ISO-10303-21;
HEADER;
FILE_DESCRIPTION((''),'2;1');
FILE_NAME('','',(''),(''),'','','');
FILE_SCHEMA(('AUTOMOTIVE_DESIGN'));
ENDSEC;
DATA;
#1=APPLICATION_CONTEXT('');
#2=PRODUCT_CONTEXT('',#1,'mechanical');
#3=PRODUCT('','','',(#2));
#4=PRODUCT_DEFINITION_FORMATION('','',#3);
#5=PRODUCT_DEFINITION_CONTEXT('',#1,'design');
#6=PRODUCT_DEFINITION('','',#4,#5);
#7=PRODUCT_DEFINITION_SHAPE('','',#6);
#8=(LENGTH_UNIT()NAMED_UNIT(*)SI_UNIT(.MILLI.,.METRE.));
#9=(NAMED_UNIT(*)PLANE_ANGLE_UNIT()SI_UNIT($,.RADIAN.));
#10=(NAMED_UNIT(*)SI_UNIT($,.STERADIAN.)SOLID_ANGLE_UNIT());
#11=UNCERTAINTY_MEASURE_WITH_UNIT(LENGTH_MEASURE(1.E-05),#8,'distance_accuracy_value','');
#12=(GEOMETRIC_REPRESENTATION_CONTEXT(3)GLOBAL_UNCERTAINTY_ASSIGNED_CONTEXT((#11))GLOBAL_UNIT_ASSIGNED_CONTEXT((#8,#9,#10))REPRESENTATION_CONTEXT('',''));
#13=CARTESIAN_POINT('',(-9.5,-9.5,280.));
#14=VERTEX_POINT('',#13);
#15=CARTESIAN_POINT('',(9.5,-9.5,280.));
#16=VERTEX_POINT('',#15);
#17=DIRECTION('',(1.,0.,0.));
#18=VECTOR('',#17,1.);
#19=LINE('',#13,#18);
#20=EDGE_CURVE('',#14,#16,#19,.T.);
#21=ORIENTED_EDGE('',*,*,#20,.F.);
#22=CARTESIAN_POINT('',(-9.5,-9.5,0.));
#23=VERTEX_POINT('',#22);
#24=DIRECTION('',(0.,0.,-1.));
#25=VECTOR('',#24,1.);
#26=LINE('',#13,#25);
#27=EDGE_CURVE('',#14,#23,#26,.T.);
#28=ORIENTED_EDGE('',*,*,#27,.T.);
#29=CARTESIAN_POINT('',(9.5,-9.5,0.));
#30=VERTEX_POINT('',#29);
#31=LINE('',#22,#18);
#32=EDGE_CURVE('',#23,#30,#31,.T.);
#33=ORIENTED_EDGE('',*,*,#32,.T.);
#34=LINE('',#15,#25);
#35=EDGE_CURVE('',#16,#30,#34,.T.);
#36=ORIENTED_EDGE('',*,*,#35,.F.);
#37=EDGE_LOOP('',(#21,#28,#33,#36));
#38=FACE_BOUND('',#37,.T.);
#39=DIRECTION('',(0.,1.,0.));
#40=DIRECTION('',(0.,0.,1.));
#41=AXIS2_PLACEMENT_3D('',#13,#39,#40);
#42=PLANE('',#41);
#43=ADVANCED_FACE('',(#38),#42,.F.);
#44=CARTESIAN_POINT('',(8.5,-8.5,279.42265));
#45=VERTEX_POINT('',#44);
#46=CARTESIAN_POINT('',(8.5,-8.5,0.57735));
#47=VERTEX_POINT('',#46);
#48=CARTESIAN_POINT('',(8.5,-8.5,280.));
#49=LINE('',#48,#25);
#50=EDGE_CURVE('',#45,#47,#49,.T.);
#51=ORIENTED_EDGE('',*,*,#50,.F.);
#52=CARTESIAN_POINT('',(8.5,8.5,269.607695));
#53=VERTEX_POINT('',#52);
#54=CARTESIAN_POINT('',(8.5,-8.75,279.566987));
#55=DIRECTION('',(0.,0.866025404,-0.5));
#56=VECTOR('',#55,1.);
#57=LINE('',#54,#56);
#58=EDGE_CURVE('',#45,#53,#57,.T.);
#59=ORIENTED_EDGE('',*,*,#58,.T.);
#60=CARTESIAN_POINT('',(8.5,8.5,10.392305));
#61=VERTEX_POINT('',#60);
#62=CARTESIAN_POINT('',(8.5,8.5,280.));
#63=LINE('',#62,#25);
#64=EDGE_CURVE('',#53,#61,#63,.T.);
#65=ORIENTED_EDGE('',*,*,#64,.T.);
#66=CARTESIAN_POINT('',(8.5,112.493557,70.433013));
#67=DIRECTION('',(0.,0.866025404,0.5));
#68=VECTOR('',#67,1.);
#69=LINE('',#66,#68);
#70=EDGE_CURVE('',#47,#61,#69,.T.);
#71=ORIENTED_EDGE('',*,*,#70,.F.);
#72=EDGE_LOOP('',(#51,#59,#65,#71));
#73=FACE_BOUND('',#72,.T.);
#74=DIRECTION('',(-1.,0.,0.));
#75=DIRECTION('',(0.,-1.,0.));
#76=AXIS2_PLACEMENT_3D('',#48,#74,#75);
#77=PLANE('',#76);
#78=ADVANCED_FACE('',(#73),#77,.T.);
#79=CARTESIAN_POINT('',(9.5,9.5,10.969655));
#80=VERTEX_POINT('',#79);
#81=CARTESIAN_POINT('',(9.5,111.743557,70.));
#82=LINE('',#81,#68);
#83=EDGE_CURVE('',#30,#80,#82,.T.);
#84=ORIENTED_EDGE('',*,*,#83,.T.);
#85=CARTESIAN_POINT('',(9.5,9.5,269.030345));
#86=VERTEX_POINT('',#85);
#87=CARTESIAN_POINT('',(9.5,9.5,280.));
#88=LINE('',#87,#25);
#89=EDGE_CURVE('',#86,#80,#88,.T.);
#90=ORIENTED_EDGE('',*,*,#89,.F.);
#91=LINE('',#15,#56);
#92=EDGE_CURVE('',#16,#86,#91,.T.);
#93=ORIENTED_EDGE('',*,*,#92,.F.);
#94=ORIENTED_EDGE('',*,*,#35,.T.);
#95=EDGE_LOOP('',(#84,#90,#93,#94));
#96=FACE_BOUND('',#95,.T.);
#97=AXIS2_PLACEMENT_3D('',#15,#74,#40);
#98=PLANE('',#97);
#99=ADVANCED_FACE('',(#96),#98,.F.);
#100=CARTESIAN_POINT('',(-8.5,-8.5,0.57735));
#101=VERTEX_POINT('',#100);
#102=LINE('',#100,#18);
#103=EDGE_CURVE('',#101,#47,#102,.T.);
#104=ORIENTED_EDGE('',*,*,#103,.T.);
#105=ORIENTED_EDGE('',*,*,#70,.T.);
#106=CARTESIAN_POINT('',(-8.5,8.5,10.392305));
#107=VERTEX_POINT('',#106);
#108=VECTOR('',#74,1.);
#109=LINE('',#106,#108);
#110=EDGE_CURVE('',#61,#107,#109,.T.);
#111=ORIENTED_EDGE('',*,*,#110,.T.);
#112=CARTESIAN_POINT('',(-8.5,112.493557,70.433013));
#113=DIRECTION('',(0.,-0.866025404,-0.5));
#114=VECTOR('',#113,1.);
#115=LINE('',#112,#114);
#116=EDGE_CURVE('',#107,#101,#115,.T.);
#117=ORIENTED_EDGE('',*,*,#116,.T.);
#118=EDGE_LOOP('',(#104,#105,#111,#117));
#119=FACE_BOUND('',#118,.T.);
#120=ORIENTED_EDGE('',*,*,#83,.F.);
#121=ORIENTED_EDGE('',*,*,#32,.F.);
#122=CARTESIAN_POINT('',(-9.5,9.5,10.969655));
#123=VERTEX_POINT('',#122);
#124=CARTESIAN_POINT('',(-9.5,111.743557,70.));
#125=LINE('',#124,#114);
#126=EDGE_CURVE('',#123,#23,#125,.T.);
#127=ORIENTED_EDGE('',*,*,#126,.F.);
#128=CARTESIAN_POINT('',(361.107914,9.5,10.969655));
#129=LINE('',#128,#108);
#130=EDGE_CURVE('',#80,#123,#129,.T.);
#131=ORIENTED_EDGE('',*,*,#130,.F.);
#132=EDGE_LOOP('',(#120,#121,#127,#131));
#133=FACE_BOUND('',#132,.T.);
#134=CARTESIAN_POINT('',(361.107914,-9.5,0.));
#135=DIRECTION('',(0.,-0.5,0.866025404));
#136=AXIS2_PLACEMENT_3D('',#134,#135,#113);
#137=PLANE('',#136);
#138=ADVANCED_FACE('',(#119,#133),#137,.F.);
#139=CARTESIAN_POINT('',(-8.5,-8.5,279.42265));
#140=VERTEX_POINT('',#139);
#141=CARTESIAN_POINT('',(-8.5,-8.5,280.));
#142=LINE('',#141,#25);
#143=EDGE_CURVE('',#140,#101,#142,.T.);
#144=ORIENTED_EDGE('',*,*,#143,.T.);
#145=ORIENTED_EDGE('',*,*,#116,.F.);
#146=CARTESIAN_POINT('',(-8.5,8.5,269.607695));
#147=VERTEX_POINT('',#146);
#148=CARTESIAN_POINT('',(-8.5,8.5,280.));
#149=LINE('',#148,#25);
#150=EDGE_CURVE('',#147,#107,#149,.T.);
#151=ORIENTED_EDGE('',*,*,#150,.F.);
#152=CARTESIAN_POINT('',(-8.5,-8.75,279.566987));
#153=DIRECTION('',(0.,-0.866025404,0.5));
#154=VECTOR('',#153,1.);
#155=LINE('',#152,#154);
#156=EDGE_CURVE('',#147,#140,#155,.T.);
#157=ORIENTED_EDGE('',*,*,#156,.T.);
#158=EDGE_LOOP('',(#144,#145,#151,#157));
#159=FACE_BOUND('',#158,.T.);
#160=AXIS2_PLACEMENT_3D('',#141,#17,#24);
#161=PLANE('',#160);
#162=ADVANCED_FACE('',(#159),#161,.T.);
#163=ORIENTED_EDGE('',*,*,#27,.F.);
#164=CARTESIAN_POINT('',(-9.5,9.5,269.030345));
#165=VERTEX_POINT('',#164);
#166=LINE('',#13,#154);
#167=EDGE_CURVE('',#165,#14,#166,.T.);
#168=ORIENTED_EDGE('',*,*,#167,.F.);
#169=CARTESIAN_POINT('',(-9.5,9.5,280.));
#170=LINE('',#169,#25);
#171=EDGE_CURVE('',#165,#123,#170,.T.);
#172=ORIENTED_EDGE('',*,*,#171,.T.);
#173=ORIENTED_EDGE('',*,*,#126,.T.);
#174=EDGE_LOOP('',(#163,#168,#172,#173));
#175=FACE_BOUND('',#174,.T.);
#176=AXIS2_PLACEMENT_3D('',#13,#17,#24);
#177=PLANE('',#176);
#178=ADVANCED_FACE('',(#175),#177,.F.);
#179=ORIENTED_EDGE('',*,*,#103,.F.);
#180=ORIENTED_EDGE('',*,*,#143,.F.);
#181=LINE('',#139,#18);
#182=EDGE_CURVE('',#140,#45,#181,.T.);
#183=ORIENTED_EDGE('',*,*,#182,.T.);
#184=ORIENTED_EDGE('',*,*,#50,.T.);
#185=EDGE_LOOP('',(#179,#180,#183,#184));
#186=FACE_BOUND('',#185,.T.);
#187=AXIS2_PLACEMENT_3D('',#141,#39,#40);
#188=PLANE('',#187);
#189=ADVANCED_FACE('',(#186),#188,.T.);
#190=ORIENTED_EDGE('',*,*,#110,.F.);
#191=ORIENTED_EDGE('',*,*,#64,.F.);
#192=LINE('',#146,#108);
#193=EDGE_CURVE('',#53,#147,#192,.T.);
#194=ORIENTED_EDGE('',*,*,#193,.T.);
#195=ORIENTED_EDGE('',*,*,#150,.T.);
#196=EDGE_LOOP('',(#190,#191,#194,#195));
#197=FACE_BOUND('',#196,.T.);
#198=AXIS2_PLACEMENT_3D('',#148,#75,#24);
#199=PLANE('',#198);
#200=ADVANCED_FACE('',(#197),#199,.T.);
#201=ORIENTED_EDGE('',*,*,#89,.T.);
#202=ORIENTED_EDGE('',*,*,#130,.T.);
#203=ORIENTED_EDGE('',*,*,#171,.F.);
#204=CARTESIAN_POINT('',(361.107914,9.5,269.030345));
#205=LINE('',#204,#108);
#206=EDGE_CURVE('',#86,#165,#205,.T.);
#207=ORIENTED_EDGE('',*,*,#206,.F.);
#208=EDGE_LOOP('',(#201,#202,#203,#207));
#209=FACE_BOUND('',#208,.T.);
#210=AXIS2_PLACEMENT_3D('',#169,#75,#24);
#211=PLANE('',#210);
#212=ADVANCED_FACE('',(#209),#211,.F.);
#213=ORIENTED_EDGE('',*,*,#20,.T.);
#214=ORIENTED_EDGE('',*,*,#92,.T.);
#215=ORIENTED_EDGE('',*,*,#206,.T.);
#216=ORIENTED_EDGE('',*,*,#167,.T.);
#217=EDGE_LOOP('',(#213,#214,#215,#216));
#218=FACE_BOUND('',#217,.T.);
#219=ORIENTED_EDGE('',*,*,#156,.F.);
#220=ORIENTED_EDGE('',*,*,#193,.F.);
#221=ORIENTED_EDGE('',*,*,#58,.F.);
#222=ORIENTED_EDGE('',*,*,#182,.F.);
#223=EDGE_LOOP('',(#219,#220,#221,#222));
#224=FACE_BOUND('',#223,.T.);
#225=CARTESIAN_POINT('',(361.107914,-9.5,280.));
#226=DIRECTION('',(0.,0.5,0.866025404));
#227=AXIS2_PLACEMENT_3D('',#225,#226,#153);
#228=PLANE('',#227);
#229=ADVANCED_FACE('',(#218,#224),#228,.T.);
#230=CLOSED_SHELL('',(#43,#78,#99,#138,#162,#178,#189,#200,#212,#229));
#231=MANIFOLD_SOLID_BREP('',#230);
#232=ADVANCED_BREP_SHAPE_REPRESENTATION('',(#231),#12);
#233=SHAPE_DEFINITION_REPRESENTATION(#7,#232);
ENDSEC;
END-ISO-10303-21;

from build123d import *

# Parameters (mm, degrees)
SKETCH1_W               = 19
SKETCH1_H               = 19
SKETCH1_W_2             = 17
SKETCH1_H_2             = 17
BOSS_EXTRUDE1_DEPTH     = 280
CUT_EXTRUDE3_DEPTH      = 1
CUT_EXTRUDE3_DEPTH_BACK = 20
CUT_EXTRUDE4_DEPTH      = 1
CUT_EXTRUDE4_DEPTH_BACK = 20


with BuildPart() as part:
    # Sketch1 → Boss-Extrude1 (new body)
    with BuildSketch(Plane.XY):
        Rectangle(SKETCH1_W, SKETCH1_H)
        Rectangle(SKETCH1_W_2, SKETCH1_H_2, mode=Mode.SUBTRACT)
    extrude(amount=BOSS_EXTRUDE1_DEPTH)

    # Sketch4 → Cut-Extrude3 (cut, two sides)
    with BuildSketch(Plane(origin=(9.5, 0, 0), x_dir=(0, 0, -1), z_dir=(1, 0, 0))) as cut_extrude3_sk:
        Polygon((-565.643902481, -504.24975197), (-280, -9.5), (-269.030344885, 9.5), (16.613557596, 504.24975197), (-972.885946344, 1075.537556933), (-1555.143406422, 67.038052993), align=None)
    extrude(amount=CUT_EXTRUDE3_DEPTH, mode=Mode.SUBTRACT)
    extrude(cut_extrude3_sk.sketch, amount=-CUT_EXTRUDE3_DEPTH_BACK, mode=Mode.SUBTRACT)

    # Sketch5 → Cut-Extrude4 (cut, two sides)
    with BuildSketch(Plane(origin=(9.5, 0, 0), x_dir=(0, 0, -1), z_dir=(1, 0, 0))) as cut_extrude4_sk:
        Polygon((285.643902481, -504.24975197), (0, -9.5), (-10.969655115, 9.5), (-296.613557596, 504.24975197), (692.885946344, 1075.537556933), (1275.143406422, 67.038052993), align=None)
    extrude(amount=CUT_EXTRUDE4_DEPTH, mode=Mode.SUBTRACT)
    extrude(cut_extrude4_sk.sketch, amount=-CUT_EXTRUDE4_DEPTH_BACK, mode=Mode.SUBTRACT)


solid = part.part
